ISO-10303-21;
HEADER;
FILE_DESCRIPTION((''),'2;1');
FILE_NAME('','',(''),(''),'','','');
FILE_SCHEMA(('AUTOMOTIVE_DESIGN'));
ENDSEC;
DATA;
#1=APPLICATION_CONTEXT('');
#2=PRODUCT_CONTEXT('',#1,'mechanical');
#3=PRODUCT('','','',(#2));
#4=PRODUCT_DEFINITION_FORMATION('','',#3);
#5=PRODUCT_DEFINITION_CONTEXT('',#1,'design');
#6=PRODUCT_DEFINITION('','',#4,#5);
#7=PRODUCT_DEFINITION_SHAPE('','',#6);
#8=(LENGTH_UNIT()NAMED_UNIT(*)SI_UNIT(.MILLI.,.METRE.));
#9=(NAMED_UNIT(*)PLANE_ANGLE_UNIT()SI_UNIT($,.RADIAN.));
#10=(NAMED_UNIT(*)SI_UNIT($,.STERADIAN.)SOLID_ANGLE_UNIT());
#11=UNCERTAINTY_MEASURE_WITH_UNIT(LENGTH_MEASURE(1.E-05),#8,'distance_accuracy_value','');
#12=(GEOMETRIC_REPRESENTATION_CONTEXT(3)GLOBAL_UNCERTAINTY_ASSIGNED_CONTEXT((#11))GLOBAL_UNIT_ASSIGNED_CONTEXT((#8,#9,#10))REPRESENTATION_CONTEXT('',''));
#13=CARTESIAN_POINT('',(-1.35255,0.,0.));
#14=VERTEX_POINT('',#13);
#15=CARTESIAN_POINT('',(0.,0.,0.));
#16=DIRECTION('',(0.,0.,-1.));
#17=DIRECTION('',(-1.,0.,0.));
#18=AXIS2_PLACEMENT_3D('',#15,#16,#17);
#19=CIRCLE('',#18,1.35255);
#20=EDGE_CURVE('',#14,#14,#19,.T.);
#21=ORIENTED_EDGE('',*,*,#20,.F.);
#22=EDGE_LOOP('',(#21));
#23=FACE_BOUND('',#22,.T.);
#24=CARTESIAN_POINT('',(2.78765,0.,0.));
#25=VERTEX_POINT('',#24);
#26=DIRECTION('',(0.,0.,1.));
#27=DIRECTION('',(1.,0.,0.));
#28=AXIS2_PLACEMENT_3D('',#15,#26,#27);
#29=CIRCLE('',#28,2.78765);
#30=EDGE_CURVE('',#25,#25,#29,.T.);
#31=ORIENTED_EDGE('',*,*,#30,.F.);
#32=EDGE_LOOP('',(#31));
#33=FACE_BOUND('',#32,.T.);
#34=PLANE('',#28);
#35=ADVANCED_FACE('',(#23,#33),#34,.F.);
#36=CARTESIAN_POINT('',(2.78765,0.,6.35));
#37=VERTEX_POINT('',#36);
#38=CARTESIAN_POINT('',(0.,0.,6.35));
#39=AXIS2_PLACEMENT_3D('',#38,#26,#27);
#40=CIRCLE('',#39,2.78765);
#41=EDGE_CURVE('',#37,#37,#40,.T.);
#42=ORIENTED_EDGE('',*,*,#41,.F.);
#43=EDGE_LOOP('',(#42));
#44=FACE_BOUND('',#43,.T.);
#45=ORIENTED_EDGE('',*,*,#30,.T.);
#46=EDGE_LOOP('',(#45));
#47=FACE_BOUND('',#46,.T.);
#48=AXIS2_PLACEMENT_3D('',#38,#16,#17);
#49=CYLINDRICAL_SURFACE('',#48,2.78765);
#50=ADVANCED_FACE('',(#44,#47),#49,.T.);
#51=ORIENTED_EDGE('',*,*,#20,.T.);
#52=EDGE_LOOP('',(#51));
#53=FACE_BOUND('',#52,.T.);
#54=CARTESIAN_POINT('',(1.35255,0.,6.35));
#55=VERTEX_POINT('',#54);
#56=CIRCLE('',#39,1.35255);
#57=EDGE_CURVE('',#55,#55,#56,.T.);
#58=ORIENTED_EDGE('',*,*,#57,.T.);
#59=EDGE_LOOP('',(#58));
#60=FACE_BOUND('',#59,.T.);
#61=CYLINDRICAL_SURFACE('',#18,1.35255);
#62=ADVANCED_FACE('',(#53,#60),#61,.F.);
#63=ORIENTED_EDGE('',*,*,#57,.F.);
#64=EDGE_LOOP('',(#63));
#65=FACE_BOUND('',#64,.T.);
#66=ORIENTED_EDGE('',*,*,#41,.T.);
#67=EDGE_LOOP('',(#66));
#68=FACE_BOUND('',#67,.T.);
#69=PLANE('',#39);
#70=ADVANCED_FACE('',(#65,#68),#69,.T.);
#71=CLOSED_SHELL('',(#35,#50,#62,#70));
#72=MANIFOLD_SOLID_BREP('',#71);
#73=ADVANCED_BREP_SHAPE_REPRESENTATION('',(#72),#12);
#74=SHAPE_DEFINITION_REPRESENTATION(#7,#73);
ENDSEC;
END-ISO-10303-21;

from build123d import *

# Parameters (mm, degrees)
SKETCH1_R                 = 2.78765
BOSS_EXTRUDE1_DEPTH       = 6.35
F_6_32_TAPPED_HOLE1_D     = 2.7051
F_6_32_TAPPED_HOLE1_DEPTH = 9.398
F_6_32_TAPPED_HOLE1_TIP   = 0.81269403


with BuildPart() as part:
    # Sketch1 → Boss-Extrude1 (new body)
    with BuildSketch(Plane.XY):
        Circle(SKETCH1_R)
    extrude(amount=BOSS_EXTRUDE1_DEPTH)

    # #6-32 Tapped Hole1
    with Locations(Plane(origin=(0, 0, 0), x_dir=(-1, 0, 0), z_dir=(0, 0, -1))):
        with Locations((0, 0)):
            Hole(F_6_32_TAPPED_HOLE1_D / 2, depth=F_6_32_TAPPED_HOLE1_DEPTH)
            with Locations((0, 0, -(F_6_32_TAPPED_HOLE1_DEPTH + F_6_32_TAPPED_HOLE1_TIP / 2))):  # 118° drill point
                Cone(0, F_6_32_TAPPED_HOLE1_D / 2, F_6_32_TAPPED_HOLE1_TIP, mode=Mode.SUBTRACT)


solid = part.part
